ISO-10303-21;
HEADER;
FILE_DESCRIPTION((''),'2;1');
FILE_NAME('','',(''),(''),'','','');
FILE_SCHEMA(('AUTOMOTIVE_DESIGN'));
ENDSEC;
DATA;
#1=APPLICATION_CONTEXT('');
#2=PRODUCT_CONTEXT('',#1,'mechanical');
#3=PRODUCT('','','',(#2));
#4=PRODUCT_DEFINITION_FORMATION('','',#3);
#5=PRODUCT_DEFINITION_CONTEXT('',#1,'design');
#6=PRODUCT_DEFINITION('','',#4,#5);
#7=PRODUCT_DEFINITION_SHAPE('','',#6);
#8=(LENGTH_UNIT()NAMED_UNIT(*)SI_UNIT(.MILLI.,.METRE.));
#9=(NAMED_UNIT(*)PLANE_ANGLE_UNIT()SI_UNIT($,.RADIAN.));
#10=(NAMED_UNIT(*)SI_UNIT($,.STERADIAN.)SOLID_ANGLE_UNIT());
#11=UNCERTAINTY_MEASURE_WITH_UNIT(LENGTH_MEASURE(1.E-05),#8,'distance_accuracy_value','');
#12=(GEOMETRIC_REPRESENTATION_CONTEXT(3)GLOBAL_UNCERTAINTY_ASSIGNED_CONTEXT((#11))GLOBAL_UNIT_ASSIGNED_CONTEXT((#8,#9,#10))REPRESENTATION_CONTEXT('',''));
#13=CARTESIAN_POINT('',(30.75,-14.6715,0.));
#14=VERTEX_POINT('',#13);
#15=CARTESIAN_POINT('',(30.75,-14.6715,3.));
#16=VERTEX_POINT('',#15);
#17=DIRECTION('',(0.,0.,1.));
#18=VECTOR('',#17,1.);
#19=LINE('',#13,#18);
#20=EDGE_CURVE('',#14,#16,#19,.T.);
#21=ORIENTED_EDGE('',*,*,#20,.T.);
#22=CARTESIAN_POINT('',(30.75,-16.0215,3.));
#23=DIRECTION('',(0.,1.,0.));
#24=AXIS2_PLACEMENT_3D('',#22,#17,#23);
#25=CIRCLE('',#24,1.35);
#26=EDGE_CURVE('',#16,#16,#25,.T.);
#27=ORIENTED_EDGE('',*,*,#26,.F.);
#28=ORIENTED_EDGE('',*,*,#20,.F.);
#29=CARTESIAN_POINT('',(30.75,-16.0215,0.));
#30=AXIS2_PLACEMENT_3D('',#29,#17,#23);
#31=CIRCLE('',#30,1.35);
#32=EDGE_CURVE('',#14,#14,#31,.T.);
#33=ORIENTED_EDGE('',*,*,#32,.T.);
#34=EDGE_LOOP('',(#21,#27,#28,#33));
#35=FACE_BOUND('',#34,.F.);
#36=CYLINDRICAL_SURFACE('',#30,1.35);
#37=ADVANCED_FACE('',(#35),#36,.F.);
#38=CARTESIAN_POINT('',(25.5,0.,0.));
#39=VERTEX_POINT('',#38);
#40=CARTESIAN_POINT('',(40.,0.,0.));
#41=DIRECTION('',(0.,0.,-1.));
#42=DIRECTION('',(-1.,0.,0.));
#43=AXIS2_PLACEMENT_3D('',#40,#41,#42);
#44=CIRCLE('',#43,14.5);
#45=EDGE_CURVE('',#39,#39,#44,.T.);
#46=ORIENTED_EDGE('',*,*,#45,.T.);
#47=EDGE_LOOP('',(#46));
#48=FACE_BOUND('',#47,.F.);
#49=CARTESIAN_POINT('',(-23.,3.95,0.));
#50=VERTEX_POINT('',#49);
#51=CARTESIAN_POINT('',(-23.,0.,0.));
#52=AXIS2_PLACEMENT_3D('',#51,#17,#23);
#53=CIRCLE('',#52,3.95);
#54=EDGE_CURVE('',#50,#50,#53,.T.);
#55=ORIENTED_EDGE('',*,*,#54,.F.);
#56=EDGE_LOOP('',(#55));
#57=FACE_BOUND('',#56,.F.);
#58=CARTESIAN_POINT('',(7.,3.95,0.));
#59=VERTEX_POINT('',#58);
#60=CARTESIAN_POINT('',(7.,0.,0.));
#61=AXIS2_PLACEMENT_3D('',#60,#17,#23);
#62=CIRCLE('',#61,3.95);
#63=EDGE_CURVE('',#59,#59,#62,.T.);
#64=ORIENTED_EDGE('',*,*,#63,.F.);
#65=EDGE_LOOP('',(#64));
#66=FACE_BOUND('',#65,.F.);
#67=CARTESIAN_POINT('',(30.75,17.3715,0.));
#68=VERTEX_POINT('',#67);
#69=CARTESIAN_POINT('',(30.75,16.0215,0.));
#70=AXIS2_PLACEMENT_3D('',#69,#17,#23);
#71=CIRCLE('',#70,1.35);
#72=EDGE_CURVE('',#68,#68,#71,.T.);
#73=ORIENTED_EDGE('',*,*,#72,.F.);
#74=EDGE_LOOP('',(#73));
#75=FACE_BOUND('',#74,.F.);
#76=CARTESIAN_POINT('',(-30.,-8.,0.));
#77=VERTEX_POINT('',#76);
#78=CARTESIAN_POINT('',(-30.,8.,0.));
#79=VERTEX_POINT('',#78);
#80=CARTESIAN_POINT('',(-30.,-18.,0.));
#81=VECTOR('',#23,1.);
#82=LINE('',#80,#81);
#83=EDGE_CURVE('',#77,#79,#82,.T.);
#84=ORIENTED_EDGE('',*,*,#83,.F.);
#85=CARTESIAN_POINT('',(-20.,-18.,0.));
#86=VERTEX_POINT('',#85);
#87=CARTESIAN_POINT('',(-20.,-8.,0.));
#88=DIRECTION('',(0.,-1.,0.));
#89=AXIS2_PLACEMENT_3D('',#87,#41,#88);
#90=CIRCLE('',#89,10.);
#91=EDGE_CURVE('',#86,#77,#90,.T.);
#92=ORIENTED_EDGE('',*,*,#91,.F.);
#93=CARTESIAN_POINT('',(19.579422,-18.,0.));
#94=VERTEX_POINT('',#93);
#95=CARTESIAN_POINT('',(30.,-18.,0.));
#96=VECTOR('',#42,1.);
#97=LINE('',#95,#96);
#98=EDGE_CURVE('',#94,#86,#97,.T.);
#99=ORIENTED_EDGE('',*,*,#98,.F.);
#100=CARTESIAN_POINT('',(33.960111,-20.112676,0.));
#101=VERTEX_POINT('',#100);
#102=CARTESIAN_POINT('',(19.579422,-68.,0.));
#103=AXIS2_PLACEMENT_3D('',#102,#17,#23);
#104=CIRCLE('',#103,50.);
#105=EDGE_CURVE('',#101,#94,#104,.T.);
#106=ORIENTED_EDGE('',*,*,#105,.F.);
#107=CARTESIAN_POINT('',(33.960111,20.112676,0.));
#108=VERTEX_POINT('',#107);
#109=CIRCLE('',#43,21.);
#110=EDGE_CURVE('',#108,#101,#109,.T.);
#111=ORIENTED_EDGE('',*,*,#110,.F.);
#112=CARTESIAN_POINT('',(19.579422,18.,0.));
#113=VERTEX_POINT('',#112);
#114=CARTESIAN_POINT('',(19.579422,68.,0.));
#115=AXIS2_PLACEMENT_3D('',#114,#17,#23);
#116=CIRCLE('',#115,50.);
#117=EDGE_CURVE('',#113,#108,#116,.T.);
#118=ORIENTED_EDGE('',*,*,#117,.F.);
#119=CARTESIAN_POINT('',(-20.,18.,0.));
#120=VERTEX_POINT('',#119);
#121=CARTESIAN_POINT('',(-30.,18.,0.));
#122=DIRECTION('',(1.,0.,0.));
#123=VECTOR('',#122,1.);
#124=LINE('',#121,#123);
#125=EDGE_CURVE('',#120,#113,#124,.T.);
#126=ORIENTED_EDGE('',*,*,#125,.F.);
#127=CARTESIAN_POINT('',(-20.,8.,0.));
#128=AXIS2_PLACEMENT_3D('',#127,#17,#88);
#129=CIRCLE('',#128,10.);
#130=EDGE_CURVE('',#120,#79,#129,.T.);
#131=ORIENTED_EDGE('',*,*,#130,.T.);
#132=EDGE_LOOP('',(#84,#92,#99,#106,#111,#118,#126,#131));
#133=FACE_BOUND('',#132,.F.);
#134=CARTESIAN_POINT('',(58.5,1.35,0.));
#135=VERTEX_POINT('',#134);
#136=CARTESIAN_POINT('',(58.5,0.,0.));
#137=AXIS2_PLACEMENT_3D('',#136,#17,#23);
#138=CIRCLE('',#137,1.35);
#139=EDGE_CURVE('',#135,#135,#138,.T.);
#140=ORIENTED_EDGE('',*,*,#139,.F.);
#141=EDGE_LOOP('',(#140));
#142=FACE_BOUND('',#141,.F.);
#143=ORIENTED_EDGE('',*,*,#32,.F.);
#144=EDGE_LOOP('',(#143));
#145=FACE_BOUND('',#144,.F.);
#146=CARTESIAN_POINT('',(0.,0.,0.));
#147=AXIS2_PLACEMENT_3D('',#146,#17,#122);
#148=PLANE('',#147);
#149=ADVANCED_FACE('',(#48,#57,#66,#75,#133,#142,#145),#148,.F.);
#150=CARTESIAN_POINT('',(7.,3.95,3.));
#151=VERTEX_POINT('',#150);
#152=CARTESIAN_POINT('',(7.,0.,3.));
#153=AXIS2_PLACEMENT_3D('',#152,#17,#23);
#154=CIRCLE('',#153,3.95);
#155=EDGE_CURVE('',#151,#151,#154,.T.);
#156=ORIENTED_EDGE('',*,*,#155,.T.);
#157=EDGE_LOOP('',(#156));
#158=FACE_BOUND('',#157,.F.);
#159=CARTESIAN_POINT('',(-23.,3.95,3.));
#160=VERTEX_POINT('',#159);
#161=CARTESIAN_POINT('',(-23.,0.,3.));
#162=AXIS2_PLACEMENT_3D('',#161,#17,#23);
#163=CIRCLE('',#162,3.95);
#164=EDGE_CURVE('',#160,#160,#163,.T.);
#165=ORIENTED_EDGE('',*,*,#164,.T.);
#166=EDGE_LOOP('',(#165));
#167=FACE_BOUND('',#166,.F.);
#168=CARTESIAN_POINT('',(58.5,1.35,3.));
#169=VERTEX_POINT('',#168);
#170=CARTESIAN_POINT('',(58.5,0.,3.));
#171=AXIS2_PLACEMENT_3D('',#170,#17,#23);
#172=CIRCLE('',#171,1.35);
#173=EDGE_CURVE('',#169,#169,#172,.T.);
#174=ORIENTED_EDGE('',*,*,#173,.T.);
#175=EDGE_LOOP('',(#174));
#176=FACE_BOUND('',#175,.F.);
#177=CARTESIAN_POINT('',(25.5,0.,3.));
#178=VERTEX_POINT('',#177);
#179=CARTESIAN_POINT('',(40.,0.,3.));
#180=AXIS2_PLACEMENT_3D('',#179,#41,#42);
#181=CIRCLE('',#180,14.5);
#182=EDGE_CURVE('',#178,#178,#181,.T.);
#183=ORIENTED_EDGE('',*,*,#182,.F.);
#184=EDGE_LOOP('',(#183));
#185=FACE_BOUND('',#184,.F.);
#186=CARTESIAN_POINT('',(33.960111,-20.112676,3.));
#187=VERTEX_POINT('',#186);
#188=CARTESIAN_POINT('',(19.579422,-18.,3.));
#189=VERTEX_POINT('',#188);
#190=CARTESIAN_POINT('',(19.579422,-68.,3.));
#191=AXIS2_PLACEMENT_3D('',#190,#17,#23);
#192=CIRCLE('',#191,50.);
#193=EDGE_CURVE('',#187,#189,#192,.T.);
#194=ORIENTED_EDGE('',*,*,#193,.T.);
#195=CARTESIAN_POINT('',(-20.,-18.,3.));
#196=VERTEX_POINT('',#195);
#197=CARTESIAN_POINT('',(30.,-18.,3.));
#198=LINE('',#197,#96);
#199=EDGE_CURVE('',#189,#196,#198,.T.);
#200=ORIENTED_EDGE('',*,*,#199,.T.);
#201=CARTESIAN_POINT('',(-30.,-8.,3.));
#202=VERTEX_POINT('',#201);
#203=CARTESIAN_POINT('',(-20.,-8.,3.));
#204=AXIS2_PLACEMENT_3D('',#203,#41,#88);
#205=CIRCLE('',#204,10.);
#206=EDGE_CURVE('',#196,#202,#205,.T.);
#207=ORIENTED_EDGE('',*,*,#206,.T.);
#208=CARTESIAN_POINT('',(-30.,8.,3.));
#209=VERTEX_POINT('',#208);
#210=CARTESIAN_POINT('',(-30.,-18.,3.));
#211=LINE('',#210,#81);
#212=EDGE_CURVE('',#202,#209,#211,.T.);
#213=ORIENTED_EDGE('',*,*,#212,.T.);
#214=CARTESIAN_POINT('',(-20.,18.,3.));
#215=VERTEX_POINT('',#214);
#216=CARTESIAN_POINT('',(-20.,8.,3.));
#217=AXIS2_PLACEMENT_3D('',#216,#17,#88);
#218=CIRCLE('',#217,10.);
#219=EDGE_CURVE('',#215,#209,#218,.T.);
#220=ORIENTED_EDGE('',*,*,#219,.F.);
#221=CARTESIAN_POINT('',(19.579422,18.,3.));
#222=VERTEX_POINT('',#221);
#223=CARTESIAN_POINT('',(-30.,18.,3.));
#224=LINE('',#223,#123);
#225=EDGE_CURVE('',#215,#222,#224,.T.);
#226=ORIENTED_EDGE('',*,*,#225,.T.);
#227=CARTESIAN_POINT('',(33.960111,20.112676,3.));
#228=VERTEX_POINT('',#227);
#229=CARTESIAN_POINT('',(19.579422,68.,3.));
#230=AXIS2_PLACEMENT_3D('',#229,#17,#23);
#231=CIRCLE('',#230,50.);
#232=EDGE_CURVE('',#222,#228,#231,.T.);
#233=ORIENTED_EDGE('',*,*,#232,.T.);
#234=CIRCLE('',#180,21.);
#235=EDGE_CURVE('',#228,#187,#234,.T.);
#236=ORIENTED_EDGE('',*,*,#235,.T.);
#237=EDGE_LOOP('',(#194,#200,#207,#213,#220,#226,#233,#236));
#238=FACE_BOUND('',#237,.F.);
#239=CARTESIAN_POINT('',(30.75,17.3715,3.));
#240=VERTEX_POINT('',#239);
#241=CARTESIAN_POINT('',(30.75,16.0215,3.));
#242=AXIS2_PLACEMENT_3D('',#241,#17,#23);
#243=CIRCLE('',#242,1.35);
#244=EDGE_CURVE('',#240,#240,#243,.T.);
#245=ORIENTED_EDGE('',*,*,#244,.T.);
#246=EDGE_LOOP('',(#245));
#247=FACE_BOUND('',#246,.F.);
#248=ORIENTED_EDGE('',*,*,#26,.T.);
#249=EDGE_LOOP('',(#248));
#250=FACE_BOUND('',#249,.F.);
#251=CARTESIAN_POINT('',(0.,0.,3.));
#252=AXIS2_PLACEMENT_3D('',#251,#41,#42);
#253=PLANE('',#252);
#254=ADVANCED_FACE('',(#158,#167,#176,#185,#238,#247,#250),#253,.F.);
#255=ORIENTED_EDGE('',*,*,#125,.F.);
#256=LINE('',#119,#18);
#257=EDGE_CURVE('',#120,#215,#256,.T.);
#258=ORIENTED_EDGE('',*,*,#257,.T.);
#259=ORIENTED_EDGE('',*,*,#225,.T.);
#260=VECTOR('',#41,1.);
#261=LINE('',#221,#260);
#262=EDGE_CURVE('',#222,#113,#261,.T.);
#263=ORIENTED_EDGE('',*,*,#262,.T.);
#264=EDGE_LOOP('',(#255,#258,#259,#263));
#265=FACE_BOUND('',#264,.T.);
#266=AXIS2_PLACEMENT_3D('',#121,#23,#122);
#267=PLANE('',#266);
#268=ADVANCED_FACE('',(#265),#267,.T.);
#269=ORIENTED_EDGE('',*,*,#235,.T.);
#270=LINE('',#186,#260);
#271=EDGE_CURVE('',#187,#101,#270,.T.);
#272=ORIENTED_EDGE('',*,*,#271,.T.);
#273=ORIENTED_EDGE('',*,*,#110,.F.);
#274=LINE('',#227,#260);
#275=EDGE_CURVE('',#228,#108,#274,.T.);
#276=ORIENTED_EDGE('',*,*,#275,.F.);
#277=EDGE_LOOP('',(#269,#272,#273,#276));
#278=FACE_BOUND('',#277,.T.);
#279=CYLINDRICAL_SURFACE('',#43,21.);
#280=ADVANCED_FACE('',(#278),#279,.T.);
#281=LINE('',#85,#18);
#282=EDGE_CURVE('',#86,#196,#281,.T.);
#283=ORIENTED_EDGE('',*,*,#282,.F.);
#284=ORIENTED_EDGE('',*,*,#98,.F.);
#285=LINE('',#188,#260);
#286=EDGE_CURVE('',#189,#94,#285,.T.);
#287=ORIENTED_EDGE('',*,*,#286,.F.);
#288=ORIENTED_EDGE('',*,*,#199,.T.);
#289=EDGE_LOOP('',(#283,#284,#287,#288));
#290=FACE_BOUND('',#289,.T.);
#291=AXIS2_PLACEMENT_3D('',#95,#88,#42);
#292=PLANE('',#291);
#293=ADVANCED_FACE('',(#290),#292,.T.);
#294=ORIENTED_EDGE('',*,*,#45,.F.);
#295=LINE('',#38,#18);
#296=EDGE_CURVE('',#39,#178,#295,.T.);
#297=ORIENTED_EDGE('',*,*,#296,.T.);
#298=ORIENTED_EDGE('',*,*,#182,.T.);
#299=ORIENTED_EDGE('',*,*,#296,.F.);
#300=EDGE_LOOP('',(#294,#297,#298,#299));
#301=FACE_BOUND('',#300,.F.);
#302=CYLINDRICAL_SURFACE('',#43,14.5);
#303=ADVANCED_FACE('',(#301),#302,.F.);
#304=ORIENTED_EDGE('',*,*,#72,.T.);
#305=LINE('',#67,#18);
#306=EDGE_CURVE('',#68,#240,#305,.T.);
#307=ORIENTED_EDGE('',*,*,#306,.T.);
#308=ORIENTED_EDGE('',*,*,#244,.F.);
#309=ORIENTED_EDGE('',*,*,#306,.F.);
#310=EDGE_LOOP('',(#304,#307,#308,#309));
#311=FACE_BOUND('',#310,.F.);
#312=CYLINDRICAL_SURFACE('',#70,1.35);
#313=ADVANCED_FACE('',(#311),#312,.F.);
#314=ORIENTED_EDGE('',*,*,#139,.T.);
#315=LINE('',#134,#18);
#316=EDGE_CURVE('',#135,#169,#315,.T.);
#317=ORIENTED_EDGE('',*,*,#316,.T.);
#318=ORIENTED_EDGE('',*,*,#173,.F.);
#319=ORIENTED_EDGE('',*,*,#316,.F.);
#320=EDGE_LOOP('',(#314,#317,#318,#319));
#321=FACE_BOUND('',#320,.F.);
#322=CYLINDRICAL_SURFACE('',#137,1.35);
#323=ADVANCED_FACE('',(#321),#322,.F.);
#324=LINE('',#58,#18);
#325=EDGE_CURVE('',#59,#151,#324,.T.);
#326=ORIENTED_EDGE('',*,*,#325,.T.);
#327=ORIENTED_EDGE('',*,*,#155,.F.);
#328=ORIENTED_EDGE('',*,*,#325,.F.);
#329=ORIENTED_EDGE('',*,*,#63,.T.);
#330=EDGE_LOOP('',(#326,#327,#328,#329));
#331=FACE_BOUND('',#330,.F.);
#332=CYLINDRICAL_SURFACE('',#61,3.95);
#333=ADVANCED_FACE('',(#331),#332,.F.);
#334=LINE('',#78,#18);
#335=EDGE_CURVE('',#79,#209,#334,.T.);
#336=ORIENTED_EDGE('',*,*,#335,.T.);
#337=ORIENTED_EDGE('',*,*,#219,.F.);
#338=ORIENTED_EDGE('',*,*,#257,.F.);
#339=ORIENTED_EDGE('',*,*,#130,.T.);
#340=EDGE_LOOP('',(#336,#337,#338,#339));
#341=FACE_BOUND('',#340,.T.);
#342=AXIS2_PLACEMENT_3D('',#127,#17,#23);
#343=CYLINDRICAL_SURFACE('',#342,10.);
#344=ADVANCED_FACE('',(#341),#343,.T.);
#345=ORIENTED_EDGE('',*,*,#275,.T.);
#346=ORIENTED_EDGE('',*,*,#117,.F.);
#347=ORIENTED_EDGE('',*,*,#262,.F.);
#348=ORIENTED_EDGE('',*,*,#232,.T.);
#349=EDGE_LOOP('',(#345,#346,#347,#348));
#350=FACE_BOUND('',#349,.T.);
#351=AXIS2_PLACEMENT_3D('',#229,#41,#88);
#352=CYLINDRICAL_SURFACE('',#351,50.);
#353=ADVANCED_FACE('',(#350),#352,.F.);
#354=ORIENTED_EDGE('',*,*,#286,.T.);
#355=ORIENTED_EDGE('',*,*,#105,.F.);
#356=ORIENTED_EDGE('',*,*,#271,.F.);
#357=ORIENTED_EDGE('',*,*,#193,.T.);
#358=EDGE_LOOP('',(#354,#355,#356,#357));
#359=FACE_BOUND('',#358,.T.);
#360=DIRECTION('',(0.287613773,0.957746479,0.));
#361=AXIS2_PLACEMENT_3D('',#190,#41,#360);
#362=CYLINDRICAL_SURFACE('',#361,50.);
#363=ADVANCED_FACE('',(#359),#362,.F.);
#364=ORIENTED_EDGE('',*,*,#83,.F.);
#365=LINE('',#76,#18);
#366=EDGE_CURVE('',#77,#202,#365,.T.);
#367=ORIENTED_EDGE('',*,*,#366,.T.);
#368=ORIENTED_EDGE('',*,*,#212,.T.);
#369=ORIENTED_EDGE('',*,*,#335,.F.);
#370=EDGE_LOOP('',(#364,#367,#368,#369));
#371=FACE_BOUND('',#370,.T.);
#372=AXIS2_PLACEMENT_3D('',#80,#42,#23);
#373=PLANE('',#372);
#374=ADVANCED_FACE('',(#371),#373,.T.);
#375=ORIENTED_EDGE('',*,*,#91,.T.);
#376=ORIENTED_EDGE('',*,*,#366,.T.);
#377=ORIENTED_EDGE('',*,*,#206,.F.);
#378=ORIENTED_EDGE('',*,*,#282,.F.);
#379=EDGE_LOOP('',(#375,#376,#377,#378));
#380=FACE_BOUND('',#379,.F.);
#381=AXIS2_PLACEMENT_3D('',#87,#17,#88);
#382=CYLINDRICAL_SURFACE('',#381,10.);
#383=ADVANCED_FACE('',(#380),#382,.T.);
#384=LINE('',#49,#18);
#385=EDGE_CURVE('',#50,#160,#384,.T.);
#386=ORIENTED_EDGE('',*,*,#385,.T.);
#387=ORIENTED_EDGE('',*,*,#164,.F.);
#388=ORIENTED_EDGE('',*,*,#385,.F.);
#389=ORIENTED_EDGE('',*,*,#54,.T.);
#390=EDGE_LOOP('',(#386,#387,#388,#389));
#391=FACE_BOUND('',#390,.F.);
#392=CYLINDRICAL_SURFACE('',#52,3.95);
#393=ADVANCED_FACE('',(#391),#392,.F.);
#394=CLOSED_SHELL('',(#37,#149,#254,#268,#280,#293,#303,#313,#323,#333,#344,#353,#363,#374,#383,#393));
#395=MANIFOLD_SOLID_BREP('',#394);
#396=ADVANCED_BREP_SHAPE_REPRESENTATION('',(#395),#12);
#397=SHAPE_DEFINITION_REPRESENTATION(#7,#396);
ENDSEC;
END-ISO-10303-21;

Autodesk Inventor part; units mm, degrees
ref_plane "YZ Plane" through (0, 0, 0) normal (1, 0, 0) x (0, 1, 0)
ref_plane "XZ Plane" through (0, 0, 0) normal (0, 1, 0) x (-1, 0, 0)
ref_plane "XY Plane" through (0, 0, 0) normal (0, 0, 1) x (1, 0, 0)
sketch "スケッチ1" plane through (0, 0, 0) normal (0, 0, 1) x (1, 0, 0)
  line L0 (-30, 18) -> (30, 18)
  line L1 (30, 18) -> (30, -18)
  line L2 (30, -18) -> (-30, -18)
  line L3 (-30, -18) -> (-30, 18)
  line L4 (0, 0) -> (0, 18) construction
  line L5 (0, 0) -> (30, 0) construction
  dimension "d0" = 36
  dimension "d1" = 60
extrude "プレート1" add sketch "スケッチ1" along normal blind 3
sketch "スケッチ13" plane through (0, 0, 0) normal (0, 0, -1) x (-1, 0, 0)
  line L0 (0, 0) -> (30, 0) construction
  line L1 (30, -18) -> (30, 18) projected
  line L2 (-30, 18) -> (-30, -18) projected
  point P0 (23, 0)
  point P1 (-7, 0)
  dimension "d127" = 30
  dimension "d129" = 7
hole "穴10" at (-23, 0, 0) at (7, 0, 0) direction (0, 0, 1) diameter 7.9 depth 3
sketch "スケッチ15" plane through (0, 0, 0) normal (0, 0, -1) x (-1, 0, 0)
  circle A0 centre (-40, 0) radius 21
  line L0 (-30, -18) -> (-30, 18) projected
  point P0 (0, 0)
  dimension "d130" = 42
  dimension "d131" = 10
extrude "押し出し1" add sketch "スケッチ15" against normal up to surface (3 mm away)
fillet "フィレット1" radius 10 2 edges at (-30, 18, 1.5) (-30, -18, 1.5)
sketch "スケッチ16" plane through (0, 0, 0) normal (0, 0, -1) x (-1, 0, 0)
  arc A0 (-29.1833, 18) -> (-29.1833, -18) centre (-40, 0) ccw projected
  circle A1 centre (-40, 0) radius 14.5
  point P0 (0, 0)
  dimension "d134" = 29
extrude "押し出し2" cut sketch "スケッチ16" against normal up to surface (3 mm away)
sketch "スケッチ17" plane through (0, 0, 0) normal (0, 0, -1) x (-1, 0, 0)
  circle A0 centre (-40, 0) radius 14.5 projected
  line L0 (-40, 0) -> (-61, 0) construction
  arc A1 (-29.1833, 18) -> (-29.1833, -18) centre (-40, 0) ccw projected
  point P0 (0, 0)
  point P1 (-58.5, 0)
  point P2 (-30.75, -16.0215)
  point P3 (-30.75, 16.0215)
  dimension "d137" = 18.5
  dimension "d140" = 360
hole "穴11" at (58.5, 0, 0) at (30.75, -16.0215, 0) at (30.75, 16.0215, 0) direction (0, 0, 1) diameter 2.7 depth 3
fillet "フィレット3" radius 50 2 edges at (29.1833, 18, 1.5) (29.1833, -18, 1.5)
equation "\"d125\" = Thickness"
equation "\"d147\" = Thickness"
equation "\"d2\" = Thickness"
equation "\"BendRadius\" = Thickness"
equation "\"BendReliefWidth\" = Thickness"
equation "\"BendReliefDepth\" = 0.5 * Thickness"
equation "\"CornerReliefSize\" = 4 * Thickness"
equation "\"MinimumRemnant\" = 2 * Thickness"
equation "\"TransitionRadius\" = BendRadius"
equation "\"JacobiRadiusSize\" = BendRadius"
equation "\"GapSize\" = Thickness"
equation "\"Thickness\" = 3"
properties part number "wrist_pitch_plate" material "アルミニウム 6061"
